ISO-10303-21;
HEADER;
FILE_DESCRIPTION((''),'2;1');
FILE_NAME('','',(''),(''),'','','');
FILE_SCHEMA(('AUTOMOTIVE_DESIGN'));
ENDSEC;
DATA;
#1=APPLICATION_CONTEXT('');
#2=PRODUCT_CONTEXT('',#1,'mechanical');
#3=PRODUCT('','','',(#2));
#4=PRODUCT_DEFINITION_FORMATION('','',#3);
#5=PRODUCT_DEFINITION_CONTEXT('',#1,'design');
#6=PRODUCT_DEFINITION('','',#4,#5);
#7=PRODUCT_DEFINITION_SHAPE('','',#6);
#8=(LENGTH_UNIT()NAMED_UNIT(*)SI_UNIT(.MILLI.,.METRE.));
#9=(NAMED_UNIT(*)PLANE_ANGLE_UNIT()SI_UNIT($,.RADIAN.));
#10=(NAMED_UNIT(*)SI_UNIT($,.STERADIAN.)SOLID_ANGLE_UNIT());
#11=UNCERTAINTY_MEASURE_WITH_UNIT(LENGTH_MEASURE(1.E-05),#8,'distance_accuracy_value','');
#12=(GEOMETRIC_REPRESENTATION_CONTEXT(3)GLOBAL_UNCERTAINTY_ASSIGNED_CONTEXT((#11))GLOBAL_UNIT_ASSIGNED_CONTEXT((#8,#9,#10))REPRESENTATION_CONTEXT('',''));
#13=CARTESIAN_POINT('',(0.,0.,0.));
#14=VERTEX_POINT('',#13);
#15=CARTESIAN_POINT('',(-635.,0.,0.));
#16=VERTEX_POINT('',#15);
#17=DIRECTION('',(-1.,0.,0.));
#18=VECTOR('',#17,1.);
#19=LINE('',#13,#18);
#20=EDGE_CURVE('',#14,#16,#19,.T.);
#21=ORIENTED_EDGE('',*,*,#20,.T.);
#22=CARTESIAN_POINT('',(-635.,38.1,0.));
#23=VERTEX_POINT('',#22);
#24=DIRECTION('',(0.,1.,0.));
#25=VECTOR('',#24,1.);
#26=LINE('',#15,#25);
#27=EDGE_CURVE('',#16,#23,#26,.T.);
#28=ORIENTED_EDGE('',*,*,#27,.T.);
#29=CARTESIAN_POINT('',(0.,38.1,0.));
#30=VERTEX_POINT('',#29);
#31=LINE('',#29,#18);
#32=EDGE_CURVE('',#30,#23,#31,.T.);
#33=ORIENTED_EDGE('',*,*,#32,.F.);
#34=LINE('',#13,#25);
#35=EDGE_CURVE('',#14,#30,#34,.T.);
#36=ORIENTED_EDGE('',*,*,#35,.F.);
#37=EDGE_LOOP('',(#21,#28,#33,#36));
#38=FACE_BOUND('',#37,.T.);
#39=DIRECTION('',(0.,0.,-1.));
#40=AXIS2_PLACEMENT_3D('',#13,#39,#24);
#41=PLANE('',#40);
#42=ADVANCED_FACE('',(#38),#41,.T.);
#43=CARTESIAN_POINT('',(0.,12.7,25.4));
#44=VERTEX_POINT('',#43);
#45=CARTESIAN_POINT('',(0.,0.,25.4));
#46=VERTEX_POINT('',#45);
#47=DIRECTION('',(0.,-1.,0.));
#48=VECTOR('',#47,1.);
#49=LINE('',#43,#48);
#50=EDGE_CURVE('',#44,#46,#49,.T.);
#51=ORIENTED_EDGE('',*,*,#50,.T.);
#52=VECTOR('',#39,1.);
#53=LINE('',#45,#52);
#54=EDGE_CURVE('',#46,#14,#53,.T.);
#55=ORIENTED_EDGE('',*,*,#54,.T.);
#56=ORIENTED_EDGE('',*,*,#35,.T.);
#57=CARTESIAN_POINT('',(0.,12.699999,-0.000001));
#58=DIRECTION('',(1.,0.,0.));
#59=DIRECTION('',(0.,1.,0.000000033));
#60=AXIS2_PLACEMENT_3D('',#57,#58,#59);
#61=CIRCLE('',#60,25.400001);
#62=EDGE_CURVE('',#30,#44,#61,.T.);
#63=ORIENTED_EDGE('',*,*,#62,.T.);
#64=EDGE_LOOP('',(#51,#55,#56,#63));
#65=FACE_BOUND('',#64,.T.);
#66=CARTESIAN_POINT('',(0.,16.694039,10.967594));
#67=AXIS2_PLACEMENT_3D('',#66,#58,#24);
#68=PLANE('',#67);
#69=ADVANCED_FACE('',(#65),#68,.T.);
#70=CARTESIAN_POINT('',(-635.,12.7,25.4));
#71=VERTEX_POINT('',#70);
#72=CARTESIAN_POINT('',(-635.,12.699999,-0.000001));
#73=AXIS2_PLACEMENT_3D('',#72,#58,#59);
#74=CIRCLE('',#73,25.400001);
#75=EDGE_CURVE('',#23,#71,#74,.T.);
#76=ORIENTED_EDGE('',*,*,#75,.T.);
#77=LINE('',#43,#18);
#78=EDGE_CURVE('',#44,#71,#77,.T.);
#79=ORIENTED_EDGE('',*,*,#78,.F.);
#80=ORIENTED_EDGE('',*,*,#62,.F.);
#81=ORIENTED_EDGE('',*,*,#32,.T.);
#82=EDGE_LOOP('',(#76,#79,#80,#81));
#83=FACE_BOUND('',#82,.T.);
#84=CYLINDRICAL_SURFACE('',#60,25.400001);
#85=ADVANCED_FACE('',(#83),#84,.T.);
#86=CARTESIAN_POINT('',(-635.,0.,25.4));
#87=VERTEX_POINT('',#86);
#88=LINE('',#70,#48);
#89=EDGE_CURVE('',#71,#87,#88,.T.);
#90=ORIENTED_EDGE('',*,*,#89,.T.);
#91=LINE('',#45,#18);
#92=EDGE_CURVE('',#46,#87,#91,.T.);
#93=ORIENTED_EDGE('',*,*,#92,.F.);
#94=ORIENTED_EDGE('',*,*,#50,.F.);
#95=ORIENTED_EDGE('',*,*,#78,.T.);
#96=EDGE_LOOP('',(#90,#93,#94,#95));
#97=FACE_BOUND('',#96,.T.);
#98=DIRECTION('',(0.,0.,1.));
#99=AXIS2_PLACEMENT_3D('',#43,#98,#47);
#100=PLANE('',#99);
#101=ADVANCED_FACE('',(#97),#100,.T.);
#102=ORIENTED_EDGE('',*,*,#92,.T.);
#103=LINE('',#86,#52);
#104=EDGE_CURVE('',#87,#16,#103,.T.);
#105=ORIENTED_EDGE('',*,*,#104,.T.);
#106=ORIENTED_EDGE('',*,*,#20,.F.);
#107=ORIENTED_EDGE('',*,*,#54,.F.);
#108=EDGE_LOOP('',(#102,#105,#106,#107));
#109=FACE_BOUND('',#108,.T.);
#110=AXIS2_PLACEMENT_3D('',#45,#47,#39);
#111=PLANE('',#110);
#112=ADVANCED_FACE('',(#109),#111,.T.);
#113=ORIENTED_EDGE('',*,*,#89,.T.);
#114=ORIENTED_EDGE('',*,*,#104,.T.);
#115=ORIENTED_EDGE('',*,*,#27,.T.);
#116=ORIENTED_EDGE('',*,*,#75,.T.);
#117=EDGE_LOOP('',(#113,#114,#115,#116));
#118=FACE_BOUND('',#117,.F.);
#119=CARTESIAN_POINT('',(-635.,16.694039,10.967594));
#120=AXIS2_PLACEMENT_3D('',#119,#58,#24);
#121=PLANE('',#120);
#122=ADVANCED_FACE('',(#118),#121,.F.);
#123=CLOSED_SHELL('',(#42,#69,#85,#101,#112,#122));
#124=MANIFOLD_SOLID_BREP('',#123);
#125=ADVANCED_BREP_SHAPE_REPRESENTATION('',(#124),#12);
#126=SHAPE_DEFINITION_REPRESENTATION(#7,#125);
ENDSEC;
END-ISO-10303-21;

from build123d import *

# Parameters (mm, degrees)
F1_DEPTH = 635


with BuildPart() as f1:
    # F0 (on Right) → F1 (new body)
    with BuildSketch(Plane.YZ):
        with BuildLine():
            Line((0, 25.4), (0, 0))
            Line((0, 0), (38.1, 0))
            ThreePointArc((38.1, 0), (30.660512, 17.960512), (12.7, 25.4))
            Line((12.7, 25.4), (0, 25.4))
        make_face()
    extrude(amount=-F1_DEPTH)


solid = f1.part
